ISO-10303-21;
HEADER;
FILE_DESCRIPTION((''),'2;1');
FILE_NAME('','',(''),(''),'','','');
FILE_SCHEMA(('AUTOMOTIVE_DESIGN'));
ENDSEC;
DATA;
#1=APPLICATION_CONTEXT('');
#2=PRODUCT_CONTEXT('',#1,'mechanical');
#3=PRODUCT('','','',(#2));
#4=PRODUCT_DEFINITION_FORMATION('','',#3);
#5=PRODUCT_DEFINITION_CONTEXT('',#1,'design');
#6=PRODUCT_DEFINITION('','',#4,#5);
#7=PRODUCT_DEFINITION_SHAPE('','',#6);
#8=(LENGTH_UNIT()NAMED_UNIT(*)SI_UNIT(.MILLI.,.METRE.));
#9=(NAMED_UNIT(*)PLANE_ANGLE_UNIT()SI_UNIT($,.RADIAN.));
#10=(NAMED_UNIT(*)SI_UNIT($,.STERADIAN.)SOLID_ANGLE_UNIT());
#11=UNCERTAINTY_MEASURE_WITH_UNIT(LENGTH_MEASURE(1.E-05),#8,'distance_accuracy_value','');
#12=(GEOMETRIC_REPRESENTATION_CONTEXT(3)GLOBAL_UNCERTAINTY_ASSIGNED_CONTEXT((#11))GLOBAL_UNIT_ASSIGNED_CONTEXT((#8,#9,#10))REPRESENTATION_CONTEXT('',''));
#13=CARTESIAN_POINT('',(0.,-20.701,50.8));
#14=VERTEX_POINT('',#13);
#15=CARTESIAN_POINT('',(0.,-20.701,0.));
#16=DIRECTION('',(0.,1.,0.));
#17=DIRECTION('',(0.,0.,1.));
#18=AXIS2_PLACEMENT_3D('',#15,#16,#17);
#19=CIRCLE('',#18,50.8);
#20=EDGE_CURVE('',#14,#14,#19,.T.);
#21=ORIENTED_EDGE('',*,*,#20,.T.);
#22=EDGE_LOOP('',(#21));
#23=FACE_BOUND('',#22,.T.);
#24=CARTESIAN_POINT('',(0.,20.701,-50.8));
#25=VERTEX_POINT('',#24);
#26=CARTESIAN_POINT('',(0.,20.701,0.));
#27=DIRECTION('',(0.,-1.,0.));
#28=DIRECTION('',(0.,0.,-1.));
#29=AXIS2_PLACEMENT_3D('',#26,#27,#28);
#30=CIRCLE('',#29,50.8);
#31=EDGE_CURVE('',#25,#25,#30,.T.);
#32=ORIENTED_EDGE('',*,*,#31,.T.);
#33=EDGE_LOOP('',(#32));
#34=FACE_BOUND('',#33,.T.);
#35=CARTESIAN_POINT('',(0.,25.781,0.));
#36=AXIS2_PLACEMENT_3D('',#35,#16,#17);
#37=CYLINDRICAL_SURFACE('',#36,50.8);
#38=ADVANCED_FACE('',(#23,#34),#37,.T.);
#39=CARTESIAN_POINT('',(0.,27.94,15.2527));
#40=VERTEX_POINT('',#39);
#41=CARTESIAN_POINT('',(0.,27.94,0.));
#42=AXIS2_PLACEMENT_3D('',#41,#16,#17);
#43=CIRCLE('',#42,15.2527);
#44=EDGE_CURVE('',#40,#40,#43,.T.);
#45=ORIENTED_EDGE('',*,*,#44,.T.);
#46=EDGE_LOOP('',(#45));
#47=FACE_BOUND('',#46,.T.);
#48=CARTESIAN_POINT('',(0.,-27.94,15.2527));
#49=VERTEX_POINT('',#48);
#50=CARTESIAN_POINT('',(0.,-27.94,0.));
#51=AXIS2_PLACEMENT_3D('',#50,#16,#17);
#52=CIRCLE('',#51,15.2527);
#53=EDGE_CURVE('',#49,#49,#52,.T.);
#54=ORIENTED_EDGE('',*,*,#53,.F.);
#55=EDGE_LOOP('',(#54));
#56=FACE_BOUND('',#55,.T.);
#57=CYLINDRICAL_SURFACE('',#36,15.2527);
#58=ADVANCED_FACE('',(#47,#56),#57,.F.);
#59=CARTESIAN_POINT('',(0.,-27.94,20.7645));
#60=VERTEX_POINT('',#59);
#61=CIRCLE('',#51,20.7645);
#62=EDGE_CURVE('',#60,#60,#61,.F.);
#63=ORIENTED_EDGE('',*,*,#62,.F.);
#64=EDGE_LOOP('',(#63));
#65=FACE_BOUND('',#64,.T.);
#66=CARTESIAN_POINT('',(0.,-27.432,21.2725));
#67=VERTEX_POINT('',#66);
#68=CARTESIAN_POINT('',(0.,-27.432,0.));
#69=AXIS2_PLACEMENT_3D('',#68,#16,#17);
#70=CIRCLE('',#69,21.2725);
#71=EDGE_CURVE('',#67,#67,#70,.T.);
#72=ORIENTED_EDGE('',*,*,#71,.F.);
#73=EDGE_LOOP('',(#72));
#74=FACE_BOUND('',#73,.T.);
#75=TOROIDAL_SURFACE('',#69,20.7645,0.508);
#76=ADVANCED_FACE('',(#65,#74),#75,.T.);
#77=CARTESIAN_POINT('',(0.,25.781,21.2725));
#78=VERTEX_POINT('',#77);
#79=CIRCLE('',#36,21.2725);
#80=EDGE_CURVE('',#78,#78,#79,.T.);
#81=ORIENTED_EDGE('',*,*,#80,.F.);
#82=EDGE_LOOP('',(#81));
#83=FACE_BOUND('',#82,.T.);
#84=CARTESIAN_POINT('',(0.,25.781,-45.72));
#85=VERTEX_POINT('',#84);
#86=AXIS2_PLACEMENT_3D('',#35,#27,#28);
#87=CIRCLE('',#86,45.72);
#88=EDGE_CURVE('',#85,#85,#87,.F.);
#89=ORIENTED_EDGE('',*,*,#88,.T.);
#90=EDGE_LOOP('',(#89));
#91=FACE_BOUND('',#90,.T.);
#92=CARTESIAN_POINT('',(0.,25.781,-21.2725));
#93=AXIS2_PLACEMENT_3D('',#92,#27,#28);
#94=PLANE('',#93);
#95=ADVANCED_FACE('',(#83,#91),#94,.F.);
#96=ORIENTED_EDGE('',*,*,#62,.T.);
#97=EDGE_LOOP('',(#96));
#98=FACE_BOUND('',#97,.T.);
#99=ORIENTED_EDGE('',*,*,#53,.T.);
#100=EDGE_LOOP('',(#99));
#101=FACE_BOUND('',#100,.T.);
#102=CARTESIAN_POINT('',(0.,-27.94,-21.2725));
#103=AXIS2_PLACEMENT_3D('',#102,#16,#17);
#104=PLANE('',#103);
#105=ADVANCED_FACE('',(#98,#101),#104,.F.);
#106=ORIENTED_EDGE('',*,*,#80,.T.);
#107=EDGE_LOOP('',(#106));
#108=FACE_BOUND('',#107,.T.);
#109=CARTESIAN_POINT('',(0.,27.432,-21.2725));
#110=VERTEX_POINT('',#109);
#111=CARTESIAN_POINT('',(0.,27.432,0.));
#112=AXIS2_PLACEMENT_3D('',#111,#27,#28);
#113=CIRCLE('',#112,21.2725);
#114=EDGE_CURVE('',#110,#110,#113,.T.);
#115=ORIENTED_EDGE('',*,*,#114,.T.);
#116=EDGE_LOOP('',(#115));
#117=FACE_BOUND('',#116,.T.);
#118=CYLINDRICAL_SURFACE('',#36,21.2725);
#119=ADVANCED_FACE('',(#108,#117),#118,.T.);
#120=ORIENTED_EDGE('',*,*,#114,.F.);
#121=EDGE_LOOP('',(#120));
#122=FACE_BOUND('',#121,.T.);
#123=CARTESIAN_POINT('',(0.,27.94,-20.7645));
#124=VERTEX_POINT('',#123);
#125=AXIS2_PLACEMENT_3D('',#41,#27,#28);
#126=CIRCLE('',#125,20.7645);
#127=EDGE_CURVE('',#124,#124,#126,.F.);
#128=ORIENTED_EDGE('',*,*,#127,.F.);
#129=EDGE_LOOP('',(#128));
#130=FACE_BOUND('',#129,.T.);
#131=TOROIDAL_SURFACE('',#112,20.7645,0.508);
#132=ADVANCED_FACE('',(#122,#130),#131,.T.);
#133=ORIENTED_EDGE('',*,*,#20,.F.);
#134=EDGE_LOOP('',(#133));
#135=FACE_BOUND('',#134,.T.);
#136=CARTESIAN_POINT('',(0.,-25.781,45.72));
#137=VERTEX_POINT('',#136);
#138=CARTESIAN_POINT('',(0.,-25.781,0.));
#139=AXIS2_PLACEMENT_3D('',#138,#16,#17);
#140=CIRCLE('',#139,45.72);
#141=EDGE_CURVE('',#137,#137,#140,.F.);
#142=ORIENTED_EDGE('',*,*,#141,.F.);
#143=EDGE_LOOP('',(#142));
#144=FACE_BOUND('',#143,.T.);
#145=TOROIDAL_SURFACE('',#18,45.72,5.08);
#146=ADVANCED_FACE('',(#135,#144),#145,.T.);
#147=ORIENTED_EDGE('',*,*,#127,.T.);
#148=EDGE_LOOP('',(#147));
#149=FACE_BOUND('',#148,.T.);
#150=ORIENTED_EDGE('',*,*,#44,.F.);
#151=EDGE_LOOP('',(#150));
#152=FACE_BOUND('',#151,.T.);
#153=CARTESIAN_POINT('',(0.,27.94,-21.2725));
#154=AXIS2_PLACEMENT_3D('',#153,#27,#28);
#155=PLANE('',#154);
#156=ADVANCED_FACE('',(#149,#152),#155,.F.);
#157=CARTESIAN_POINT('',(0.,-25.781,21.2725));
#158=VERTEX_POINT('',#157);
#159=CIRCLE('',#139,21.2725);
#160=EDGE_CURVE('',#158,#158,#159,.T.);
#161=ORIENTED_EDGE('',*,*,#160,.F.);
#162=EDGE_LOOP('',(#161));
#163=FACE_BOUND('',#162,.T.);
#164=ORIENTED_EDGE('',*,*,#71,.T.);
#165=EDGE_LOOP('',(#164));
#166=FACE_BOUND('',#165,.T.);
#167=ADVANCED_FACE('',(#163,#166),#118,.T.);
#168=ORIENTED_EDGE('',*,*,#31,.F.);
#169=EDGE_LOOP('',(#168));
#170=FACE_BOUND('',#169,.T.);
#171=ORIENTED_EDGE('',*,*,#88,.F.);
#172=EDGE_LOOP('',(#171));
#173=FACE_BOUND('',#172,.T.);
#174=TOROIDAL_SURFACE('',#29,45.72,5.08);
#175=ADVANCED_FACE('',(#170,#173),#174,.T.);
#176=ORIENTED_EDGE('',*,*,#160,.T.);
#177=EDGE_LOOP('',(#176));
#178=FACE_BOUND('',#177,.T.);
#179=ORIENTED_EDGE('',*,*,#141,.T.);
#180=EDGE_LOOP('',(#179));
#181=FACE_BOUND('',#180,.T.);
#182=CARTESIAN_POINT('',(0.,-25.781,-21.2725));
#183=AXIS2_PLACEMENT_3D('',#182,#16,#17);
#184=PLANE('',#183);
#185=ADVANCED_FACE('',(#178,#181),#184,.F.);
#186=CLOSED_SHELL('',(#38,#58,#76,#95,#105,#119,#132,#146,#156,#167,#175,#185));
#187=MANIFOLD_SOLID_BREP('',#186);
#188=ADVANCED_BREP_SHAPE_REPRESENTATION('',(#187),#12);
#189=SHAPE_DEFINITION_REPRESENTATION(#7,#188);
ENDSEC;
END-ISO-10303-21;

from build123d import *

# Parameters (mm, degrees)
FILLET1_R = 5.08
FILLET2_R = 0.508


with BuildPart() as part:
    # Sketch1 → Revolve1 (revolve)
    with BuildSketch(Plane(origin=(0, 0, 0), x_dir=(0, 0, -1), z_dir=(1, 0, 0)), mode=Mode.PRIVATE) as revolve1_sk:
        Polygon((21.2725, -25.781), (21.2725, -27.94), (15.2527, -27.94), (15.2527, 27.94), (21.2725, 27.94), (21.2725, 25.781), (50.8, 25.781), (50.8, -25.781), align=None)
    revolve(revolve1_sk.sketch.rotate(Axis((0, 25.781, 0), (0, -1, 0)), 180), axis=Axis((0, 25.781, 0), (0, -1, 0)))

    # Fillet1
    fillet1_edges = [part.edges().sort_by_distance(p)[0] for p in [
        (0, -25.781, -50.8),
        (0, 25.781, -50.8),
    ]]
    fillet(fillet1_edges, radius=FILLET1_R)

    # Fillet2
    fillet2_edges = [part.edges().sort_by_distance(p)[0] for p in [
        (0, -27.94, -21.2725),
        (0, 27.94, -21.2725),
    ]]
    fillet(fillet2_edges, radius=FILLET2_R)


solid = part.part
